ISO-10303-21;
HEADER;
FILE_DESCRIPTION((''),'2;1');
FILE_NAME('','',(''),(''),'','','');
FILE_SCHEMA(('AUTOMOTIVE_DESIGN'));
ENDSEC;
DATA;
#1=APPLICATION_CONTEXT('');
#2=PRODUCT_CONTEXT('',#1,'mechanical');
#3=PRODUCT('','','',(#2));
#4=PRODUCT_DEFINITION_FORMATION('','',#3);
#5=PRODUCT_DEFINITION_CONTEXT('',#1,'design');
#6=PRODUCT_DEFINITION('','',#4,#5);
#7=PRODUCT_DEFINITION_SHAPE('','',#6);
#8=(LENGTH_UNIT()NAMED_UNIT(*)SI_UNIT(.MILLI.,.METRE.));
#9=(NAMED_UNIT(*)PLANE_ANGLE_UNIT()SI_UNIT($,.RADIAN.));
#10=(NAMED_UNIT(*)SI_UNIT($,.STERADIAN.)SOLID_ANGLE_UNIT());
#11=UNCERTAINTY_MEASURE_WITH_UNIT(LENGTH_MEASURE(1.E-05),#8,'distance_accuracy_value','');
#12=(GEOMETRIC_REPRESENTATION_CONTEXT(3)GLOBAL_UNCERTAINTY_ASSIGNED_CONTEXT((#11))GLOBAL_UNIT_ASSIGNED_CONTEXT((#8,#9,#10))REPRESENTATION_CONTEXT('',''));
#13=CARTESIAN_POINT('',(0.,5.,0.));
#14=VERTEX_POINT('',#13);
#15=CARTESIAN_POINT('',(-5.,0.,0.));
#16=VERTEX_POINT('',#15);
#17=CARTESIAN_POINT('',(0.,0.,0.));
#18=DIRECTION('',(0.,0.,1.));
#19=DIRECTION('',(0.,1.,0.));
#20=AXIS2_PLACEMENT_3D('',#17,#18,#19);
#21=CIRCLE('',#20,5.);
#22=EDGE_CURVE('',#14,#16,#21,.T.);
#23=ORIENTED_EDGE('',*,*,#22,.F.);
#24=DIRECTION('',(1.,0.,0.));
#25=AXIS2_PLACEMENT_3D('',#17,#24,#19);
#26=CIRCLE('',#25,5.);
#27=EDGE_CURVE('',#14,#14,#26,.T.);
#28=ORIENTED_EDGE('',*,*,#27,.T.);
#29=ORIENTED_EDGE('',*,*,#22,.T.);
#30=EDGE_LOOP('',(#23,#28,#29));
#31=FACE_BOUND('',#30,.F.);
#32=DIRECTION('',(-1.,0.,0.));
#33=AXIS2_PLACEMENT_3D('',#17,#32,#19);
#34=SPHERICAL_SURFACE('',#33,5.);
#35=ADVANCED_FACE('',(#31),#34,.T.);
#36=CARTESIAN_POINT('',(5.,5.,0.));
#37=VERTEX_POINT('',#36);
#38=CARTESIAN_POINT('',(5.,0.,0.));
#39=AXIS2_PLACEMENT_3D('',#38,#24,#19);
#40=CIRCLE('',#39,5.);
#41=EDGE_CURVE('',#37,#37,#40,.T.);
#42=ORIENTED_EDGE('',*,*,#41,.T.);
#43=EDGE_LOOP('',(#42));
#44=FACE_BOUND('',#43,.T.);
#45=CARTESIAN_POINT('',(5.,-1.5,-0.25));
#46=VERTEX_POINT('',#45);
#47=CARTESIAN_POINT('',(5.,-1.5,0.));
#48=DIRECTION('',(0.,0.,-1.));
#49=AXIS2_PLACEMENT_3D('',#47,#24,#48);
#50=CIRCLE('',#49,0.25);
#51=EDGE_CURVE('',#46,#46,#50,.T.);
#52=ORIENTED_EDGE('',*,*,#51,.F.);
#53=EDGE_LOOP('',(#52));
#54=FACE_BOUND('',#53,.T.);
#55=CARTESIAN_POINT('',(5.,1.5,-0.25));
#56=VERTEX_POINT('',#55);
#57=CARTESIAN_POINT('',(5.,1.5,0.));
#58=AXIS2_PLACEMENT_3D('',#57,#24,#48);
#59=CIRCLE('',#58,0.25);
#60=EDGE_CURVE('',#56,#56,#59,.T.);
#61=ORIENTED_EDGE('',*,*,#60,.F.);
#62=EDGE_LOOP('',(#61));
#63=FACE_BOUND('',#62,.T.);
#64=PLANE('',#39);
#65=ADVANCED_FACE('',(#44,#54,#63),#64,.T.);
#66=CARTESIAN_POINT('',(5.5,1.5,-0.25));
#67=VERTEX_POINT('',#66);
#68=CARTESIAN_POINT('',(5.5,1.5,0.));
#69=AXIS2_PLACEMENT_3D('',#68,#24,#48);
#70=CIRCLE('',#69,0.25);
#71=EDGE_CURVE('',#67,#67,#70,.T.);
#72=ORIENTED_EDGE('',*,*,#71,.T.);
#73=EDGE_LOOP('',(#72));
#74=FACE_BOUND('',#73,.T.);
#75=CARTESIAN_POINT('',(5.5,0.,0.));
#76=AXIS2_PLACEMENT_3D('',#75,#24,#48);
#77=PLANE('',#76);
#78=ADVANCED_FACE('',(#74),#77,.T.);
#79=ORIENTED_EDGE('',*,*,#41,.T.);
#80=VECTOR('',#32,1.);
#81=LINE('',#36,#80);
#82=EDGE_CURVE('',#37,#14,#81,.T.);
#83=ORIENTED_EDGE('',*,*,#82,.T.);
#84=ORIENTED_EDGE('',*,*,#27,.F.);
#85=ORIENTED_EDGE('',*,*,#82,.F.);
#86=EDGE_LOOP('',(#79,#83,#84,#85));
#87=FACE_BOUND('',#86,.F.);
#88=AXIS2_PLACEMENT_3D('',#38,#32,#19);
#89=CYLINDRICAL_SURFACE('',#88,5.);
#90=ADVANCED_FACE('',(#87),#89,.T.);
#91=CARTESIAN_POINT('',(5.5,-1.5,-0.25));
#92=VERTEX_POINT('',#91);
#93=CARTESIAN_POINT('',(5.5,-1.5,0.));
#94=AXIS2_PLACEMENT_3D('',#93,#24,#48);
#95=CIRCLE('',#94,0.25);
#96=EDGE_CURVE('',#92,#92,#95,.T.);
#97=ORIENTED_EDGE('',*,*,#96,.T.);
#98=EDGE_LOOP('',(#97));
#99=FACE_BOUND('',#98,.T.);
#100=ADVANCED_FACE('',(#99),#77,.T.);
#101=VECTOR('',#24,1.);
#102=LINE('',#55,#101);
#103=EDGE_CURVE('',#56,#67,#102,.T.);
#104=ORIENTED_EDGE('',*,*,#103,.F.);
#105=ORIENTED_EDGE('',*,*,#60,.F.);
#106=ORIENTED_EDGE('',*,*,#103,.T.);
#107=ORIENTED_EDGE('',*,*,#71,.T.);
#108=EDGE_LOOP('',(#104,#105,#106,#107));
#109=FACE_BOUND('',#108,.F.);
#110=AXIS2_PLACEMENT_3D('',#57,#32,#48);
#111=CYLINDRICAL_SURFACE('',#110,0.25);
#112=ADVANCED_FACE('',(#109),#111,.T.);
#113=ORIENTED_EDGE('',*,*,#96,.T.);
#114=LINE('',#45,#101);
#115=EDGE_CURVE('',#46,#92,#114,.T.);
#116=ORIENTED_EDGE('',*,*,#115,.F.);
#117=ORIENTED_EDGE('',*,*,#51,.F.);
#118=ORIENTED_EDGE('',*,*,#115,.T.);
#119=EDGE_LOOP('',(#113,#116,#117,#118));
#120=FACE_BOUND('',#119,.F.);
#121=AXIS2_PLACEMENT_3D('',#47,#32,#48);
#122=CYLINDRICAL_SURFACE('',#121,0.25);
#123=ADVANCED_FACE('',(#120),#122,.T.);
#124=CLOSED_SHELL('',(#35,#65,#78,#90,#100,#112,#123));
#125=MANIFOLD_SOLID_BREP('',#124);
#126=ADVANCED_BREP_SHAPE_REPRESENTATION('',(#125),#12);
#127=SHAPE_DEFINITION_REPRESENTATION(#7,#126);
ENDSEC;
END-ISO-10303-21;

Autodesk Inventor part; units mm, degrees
ref_plane "YZ Plane" through (0, 0, 0) normal (1, 0, 0) x (0, 1, 0)
ref_plane "XZ Plane" through (0, 0, 0) normal (0, 1, 0) x (-1, 0, 0)
ref_plane "XY Plane" through (0, 0, 0) normal (0, 0, 1) x (1, 0, 0)
sketch "Sketch1" plane through (0, 0, 0) normal (0, 0, 1) x (1, 0, 0)
  line L0 (-5, 0) -> (5, 0)
  line L1 (0, -5) -> (5, -5) construction
  line L2 (5, 5) -> (0, 5)
  arc A0 (0, 5) -> (-5, 0) centre (0, 0) ccw
  line L3 (5, 5) -> (5, 0)
  arc A1 (-5, 0) -> (0, -5) centre (0, 0) ccw construction
  line L4 (5, 0) -> (5, -5) construction
  dimension "d0" = 10
  dimension "d1" = 5
revolve "Revolution1" add sketch "Sketch1" angle 360 about axis through (-5, 0, 0) along (1, 0, 0)
sketch "Sketch2" plane through (5, 0, 0) normal (1, 0, 0) x (0, 0, -1)
  circle A0 centre (0, 1.5) radius 0.25
  circle A1 centre (0, -1.5) radius 0.25
  line L0 (0, 1.5) -> (0, -1.5) construction
  point P0 (0, 0)
  point P1 (0, 0)
  dimension "d3" = 3
  dimension "d4" = 0.5
extrude "Extrusion1" add sketch "Sketch2" along normal blind 0.5
properties part number "diffuser"
